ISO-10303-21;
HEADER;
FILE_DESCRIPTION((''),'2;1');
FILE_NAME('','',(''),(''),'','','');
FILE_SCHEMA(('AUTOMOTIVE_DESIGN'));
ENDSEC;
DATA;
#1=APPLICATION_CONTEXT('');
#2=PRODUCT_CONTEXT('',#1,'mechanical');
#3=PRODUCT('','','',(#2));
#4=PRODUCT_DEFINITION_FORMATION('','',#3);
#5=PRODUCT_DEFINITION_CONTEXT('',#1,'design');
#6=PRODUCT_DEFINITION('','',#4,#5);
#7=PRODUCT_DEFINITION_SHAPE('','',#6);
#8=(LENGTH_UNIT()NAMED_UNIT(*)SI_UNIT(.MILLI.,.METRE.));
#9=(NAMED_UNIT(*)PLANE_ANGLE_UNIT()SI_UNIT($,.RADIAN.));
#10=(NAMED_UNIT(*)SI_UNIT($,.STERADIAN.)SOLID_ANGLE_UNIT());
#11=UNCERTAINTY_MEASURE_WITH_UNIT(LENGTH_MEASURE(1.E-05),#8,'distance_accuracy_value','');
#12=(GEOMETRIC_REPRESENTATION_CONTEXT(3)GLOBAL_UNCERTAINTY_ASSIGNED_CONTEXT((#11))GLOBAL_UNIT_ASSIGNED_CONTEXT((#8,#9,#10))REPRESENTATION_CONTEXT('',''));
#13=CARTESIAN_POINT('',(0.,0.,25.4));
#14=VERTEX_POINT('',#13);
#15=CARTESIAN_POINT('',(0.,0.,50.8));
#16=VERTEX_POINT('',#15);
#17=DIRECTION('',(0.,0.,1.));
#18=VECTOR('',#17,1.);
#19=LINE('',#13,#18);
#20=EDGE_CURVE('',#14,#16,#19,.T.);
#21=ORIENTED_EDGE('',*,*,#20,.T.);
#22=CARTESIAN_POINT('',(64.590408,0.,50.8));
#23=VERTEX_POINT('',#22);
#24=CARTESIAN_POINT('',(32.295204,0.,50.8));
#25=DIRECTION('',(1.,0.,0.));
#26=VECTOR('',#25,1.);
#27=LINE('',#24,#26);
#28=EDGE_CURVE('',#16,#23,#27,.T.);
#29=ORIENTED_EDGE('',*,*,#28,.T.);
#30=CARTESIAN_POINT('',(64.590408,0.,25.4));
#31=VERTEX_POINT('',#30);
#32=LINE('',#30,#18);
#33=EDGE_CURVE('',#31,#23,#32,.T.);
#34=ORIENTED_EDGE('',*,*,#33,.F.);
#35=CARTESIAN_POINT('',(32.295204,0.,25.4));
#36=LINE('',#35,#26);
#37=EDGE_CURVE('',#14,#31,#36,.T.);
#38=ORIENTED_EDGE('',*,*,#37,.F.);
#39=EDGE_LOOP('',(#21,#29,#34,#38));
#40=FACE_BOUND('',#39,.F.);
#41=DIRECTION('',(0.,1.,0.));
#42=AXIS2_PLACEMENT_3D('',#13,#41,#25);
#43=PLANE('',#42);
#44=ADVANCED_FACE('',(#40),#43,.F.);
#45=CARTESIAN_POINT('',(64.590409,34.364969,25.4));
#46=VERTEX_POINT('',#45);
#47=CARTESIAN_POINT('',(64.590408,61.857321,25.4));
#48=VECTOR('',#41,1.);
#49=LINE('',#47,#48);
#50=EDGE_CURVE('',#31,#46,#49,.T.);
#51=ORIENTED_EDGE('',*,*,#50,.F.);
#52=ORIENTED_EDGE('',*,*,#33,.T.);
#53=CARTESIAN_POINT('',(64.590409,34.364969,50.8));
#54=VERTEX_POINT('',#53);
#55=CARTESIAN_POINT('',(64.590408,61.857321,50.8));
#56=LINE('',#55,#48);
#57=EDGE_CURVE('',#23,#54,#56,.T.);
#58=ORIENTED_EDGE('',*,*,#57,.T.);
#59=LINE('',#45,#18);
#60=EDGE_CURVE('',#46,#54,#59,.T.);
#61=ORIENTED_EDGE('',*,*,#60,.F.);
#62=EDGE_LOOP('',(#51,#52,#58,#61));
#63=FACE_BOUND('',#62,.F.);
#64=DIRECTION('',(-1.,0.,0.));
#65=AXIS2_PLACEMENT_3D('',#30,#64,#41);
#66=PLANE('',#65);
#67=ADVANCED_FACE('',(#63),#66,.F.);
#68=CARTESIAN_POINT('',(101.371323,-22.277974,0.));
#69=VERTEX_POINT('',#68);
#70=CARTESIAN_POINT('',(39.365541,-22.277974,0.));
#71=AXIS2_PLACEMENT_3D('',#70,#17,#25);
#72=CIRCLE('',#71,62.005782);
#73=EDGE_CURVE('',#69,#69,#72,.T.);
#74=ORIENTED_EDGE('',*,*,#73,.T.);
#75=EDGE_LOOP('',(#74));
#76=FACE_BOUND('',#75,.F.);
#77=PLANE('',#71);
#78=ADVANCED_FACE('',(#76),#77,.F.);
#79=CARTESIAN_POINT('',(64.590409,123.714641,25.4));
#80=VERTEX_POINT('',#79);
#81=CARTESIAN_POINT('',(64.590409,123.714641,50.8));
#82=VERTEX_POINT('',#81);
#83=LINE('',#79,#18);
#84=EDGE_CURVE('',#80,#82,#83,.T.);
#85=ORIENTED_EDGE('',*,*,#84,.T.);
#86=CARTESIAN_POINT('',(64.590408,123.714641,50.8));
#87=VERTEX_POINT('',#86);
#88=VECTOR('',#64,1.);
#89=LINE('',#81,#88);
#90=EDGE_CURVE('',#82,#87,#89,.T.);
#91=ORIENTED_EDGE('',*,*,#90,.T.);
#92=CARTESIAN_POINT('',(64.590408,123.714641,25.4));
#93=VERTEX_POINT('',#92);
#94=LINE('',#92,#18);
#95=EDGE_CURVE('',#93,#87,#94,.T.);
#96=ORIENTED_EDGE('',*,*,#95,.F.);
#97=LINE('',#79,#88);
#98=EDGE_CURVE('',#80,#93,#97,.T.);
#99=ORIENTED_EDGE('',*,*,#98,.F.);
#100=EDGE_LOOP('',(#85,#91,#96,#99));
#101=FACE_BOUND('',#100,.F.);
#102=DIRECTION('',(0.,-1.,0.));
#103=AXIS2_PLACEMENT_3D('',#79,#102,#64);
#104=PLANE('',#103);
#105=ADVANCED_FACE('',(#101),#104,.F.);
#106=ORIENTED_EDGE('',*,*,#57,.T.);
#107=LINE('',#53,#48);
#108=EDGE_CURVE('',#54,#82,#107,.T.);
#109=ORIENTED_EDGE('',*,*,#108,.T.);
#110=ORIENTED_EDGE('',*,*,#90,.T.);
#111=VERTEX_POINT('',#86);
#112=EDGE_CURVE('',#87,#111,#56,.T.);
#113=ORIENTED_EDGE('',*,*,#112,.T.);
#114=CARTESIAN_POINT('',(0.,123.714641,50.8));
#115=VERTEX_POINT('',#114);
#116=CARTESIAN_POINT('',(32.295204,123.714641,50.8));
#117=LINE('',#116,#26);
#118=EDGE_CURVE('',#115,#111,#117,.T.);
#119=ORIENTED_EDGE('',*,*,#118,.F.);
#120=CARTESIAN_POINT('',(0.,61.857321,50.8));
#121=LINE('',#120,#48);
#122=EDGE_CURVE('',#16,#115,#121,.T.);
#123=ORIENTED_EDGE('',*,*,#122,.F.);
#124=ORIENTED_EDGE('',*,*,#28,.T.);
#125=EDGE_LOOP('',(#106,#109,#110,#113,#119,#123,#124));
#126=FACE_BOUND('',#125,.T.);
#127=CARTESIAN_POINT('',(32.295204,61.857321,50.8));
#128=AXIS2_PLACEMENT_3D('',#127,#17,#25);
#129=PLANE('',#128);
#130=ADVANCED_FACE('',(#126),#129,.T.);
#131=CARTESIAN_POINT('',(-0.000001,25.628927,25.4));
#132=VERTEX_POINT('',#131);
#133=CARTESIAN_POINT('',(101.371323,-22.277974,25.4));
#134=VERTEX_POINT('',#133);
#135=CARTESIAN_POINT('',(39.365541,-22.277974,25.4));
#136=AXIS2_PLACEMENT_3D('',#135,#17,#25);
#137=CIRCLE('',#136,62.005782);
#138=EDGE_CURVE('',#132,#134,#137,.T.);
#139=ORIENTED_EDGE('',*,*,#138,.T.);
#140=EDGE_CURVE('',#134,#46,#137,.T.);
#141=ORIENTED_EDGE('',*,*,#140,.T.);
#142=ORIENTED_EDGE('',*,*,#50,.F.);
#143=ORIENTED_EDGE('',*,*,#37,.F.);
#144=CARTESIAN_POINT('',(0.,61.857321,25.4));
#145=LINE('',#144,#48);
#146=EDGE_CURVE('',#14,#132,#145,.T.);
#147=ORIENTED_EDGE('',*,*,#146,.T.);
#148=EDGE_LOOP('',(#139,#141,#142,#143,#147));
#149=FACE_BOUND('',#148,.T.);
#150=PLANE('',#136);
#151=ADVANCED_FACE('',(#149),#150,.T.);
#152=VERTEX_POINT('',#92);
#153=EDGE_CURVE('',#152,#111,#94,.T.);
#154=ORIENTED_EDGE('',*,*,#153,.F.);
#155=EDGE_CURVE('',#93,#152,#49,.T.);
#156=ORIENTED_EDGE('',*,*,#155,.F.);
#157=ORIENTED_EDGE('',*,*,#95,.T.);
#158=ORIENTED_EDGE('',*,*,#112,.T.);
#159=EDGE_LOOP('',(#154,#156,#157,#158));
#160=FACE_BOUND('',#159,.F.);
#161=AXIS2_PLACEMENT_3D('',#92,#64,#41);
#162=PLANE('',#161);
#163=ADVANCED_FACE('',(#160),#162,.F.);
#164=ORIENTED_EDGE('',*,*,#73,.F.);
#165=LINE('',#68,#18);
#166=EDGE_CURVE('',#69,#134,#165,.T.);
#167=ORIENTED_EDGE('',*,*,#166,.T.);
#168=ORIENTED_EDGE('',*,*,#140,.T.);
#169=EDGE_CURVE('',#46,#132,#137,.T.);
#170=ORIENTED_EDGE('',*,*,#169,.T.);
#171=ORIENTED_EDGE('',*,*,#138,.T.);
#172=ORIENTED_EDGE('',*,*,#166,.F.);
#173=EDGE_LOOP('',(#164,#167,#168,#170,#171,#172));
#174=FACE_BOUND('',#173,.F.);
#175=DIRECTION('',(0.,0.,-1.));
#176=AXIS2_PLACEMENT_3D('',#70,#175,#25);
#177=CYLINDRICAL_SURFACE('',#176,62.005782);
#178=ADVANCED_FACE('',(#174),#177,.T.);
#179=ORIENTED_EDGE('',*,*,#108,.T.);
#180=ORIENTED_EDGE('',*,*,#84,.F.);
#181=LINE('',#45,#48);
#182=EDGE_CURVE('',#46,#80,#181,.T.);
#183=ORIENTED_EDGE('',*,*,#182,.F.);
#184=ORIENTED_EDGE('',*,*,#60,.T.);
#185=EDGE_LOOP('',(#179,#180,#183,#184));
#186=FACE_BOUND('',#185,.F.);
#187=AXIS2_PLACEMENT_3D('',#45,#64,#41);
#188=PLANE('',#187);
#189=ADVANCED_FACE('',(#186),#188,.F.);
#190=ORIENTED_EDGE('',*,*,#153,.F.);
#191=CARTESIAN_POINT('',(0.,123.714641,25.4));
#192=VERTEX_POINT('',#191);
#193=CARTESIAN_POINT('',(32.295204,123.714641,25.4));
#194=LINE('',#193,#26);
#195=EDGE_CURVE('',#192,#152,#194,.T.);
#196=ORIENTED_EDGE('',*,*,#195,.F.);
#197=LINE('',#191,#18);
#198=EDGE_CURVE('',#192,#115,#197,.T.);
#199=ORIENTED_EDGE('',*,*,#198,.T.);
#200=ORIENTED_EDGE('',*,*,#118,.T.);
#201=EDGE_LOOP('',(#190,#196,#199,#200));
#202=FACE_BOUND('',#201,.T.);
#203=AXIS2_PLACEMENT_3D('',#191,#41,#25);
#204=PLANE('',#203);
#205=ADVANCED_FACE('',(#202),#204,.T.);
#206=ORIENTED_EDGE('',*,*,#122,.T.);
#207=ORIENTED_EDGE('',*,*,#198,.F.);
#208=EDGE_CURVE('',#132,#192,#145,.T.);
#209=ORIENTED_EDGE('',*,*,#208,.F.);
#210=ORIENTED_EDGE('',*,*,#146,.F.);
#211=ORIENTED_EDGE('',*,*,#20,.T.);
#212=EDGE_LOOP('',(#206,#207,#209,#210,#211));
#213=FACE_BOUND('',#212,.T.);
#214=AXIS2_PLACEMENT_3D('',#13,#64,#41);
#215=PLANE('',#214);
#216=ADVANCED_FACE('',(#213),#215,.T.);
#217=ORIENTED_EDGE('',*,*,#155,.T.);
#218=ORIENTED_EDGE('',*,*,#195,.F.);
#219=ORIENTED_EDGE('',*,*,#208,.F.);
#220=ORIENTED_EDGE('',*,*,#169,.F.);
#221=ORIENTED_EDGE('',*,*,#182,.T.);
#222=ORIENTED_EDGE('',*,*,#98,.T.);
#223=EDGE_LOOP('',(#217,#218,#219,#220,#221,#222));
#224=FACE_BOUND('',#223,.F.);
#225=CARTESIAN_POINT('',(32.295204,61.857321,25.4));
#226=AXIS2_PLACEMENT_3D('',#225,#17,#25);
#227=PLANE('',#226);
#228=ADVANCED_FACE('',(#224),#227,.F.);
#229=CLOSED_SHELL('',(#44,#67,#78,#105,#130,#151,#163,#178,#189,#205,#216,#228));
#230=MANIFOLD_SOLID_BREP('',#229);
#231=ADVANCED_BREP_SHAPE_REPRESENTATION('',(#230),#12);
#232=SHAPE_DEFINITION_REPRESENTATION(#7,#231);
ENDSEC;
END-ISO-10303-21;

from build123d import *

# Parameters (mm, degrees)
F0_R     = 62.005782
F1_DEPTH = 25.4
F2_W     = 64.590409
F2_H     = 123.714641
F3_DEPTH = 25.4


with BuildPart() as f1:
    # F0 (on Top) → F1 (new body)
    with BuildSketch(Plane.XY):
        with Locations((39.365541, -22.277974)):
            Circle(F0_R)
    extrude(amount=F1_DEPTH)

    # F2 (on face) → F3 (join)
    with BuildSketch(Plane.XY.offset(25.4)):
        with Locations((32.295204, 61.857321)):
            Rectangle(F2_W, F2_H)
        with BuildLine():
            Line((0, 123.714641), (0, 25.628927))
            ThreePointArc((0, 25.628927), (31.054749, 39.168326), (64.590409, 34.364969))
            Line((64.590409, 34.364969), (64.590409, 123.714641))
            Line((64.590409, 123.714641), (0, 123.714641))
        make_face()
    extrude(amount=F3_DEPTH)


solid = f1.part
